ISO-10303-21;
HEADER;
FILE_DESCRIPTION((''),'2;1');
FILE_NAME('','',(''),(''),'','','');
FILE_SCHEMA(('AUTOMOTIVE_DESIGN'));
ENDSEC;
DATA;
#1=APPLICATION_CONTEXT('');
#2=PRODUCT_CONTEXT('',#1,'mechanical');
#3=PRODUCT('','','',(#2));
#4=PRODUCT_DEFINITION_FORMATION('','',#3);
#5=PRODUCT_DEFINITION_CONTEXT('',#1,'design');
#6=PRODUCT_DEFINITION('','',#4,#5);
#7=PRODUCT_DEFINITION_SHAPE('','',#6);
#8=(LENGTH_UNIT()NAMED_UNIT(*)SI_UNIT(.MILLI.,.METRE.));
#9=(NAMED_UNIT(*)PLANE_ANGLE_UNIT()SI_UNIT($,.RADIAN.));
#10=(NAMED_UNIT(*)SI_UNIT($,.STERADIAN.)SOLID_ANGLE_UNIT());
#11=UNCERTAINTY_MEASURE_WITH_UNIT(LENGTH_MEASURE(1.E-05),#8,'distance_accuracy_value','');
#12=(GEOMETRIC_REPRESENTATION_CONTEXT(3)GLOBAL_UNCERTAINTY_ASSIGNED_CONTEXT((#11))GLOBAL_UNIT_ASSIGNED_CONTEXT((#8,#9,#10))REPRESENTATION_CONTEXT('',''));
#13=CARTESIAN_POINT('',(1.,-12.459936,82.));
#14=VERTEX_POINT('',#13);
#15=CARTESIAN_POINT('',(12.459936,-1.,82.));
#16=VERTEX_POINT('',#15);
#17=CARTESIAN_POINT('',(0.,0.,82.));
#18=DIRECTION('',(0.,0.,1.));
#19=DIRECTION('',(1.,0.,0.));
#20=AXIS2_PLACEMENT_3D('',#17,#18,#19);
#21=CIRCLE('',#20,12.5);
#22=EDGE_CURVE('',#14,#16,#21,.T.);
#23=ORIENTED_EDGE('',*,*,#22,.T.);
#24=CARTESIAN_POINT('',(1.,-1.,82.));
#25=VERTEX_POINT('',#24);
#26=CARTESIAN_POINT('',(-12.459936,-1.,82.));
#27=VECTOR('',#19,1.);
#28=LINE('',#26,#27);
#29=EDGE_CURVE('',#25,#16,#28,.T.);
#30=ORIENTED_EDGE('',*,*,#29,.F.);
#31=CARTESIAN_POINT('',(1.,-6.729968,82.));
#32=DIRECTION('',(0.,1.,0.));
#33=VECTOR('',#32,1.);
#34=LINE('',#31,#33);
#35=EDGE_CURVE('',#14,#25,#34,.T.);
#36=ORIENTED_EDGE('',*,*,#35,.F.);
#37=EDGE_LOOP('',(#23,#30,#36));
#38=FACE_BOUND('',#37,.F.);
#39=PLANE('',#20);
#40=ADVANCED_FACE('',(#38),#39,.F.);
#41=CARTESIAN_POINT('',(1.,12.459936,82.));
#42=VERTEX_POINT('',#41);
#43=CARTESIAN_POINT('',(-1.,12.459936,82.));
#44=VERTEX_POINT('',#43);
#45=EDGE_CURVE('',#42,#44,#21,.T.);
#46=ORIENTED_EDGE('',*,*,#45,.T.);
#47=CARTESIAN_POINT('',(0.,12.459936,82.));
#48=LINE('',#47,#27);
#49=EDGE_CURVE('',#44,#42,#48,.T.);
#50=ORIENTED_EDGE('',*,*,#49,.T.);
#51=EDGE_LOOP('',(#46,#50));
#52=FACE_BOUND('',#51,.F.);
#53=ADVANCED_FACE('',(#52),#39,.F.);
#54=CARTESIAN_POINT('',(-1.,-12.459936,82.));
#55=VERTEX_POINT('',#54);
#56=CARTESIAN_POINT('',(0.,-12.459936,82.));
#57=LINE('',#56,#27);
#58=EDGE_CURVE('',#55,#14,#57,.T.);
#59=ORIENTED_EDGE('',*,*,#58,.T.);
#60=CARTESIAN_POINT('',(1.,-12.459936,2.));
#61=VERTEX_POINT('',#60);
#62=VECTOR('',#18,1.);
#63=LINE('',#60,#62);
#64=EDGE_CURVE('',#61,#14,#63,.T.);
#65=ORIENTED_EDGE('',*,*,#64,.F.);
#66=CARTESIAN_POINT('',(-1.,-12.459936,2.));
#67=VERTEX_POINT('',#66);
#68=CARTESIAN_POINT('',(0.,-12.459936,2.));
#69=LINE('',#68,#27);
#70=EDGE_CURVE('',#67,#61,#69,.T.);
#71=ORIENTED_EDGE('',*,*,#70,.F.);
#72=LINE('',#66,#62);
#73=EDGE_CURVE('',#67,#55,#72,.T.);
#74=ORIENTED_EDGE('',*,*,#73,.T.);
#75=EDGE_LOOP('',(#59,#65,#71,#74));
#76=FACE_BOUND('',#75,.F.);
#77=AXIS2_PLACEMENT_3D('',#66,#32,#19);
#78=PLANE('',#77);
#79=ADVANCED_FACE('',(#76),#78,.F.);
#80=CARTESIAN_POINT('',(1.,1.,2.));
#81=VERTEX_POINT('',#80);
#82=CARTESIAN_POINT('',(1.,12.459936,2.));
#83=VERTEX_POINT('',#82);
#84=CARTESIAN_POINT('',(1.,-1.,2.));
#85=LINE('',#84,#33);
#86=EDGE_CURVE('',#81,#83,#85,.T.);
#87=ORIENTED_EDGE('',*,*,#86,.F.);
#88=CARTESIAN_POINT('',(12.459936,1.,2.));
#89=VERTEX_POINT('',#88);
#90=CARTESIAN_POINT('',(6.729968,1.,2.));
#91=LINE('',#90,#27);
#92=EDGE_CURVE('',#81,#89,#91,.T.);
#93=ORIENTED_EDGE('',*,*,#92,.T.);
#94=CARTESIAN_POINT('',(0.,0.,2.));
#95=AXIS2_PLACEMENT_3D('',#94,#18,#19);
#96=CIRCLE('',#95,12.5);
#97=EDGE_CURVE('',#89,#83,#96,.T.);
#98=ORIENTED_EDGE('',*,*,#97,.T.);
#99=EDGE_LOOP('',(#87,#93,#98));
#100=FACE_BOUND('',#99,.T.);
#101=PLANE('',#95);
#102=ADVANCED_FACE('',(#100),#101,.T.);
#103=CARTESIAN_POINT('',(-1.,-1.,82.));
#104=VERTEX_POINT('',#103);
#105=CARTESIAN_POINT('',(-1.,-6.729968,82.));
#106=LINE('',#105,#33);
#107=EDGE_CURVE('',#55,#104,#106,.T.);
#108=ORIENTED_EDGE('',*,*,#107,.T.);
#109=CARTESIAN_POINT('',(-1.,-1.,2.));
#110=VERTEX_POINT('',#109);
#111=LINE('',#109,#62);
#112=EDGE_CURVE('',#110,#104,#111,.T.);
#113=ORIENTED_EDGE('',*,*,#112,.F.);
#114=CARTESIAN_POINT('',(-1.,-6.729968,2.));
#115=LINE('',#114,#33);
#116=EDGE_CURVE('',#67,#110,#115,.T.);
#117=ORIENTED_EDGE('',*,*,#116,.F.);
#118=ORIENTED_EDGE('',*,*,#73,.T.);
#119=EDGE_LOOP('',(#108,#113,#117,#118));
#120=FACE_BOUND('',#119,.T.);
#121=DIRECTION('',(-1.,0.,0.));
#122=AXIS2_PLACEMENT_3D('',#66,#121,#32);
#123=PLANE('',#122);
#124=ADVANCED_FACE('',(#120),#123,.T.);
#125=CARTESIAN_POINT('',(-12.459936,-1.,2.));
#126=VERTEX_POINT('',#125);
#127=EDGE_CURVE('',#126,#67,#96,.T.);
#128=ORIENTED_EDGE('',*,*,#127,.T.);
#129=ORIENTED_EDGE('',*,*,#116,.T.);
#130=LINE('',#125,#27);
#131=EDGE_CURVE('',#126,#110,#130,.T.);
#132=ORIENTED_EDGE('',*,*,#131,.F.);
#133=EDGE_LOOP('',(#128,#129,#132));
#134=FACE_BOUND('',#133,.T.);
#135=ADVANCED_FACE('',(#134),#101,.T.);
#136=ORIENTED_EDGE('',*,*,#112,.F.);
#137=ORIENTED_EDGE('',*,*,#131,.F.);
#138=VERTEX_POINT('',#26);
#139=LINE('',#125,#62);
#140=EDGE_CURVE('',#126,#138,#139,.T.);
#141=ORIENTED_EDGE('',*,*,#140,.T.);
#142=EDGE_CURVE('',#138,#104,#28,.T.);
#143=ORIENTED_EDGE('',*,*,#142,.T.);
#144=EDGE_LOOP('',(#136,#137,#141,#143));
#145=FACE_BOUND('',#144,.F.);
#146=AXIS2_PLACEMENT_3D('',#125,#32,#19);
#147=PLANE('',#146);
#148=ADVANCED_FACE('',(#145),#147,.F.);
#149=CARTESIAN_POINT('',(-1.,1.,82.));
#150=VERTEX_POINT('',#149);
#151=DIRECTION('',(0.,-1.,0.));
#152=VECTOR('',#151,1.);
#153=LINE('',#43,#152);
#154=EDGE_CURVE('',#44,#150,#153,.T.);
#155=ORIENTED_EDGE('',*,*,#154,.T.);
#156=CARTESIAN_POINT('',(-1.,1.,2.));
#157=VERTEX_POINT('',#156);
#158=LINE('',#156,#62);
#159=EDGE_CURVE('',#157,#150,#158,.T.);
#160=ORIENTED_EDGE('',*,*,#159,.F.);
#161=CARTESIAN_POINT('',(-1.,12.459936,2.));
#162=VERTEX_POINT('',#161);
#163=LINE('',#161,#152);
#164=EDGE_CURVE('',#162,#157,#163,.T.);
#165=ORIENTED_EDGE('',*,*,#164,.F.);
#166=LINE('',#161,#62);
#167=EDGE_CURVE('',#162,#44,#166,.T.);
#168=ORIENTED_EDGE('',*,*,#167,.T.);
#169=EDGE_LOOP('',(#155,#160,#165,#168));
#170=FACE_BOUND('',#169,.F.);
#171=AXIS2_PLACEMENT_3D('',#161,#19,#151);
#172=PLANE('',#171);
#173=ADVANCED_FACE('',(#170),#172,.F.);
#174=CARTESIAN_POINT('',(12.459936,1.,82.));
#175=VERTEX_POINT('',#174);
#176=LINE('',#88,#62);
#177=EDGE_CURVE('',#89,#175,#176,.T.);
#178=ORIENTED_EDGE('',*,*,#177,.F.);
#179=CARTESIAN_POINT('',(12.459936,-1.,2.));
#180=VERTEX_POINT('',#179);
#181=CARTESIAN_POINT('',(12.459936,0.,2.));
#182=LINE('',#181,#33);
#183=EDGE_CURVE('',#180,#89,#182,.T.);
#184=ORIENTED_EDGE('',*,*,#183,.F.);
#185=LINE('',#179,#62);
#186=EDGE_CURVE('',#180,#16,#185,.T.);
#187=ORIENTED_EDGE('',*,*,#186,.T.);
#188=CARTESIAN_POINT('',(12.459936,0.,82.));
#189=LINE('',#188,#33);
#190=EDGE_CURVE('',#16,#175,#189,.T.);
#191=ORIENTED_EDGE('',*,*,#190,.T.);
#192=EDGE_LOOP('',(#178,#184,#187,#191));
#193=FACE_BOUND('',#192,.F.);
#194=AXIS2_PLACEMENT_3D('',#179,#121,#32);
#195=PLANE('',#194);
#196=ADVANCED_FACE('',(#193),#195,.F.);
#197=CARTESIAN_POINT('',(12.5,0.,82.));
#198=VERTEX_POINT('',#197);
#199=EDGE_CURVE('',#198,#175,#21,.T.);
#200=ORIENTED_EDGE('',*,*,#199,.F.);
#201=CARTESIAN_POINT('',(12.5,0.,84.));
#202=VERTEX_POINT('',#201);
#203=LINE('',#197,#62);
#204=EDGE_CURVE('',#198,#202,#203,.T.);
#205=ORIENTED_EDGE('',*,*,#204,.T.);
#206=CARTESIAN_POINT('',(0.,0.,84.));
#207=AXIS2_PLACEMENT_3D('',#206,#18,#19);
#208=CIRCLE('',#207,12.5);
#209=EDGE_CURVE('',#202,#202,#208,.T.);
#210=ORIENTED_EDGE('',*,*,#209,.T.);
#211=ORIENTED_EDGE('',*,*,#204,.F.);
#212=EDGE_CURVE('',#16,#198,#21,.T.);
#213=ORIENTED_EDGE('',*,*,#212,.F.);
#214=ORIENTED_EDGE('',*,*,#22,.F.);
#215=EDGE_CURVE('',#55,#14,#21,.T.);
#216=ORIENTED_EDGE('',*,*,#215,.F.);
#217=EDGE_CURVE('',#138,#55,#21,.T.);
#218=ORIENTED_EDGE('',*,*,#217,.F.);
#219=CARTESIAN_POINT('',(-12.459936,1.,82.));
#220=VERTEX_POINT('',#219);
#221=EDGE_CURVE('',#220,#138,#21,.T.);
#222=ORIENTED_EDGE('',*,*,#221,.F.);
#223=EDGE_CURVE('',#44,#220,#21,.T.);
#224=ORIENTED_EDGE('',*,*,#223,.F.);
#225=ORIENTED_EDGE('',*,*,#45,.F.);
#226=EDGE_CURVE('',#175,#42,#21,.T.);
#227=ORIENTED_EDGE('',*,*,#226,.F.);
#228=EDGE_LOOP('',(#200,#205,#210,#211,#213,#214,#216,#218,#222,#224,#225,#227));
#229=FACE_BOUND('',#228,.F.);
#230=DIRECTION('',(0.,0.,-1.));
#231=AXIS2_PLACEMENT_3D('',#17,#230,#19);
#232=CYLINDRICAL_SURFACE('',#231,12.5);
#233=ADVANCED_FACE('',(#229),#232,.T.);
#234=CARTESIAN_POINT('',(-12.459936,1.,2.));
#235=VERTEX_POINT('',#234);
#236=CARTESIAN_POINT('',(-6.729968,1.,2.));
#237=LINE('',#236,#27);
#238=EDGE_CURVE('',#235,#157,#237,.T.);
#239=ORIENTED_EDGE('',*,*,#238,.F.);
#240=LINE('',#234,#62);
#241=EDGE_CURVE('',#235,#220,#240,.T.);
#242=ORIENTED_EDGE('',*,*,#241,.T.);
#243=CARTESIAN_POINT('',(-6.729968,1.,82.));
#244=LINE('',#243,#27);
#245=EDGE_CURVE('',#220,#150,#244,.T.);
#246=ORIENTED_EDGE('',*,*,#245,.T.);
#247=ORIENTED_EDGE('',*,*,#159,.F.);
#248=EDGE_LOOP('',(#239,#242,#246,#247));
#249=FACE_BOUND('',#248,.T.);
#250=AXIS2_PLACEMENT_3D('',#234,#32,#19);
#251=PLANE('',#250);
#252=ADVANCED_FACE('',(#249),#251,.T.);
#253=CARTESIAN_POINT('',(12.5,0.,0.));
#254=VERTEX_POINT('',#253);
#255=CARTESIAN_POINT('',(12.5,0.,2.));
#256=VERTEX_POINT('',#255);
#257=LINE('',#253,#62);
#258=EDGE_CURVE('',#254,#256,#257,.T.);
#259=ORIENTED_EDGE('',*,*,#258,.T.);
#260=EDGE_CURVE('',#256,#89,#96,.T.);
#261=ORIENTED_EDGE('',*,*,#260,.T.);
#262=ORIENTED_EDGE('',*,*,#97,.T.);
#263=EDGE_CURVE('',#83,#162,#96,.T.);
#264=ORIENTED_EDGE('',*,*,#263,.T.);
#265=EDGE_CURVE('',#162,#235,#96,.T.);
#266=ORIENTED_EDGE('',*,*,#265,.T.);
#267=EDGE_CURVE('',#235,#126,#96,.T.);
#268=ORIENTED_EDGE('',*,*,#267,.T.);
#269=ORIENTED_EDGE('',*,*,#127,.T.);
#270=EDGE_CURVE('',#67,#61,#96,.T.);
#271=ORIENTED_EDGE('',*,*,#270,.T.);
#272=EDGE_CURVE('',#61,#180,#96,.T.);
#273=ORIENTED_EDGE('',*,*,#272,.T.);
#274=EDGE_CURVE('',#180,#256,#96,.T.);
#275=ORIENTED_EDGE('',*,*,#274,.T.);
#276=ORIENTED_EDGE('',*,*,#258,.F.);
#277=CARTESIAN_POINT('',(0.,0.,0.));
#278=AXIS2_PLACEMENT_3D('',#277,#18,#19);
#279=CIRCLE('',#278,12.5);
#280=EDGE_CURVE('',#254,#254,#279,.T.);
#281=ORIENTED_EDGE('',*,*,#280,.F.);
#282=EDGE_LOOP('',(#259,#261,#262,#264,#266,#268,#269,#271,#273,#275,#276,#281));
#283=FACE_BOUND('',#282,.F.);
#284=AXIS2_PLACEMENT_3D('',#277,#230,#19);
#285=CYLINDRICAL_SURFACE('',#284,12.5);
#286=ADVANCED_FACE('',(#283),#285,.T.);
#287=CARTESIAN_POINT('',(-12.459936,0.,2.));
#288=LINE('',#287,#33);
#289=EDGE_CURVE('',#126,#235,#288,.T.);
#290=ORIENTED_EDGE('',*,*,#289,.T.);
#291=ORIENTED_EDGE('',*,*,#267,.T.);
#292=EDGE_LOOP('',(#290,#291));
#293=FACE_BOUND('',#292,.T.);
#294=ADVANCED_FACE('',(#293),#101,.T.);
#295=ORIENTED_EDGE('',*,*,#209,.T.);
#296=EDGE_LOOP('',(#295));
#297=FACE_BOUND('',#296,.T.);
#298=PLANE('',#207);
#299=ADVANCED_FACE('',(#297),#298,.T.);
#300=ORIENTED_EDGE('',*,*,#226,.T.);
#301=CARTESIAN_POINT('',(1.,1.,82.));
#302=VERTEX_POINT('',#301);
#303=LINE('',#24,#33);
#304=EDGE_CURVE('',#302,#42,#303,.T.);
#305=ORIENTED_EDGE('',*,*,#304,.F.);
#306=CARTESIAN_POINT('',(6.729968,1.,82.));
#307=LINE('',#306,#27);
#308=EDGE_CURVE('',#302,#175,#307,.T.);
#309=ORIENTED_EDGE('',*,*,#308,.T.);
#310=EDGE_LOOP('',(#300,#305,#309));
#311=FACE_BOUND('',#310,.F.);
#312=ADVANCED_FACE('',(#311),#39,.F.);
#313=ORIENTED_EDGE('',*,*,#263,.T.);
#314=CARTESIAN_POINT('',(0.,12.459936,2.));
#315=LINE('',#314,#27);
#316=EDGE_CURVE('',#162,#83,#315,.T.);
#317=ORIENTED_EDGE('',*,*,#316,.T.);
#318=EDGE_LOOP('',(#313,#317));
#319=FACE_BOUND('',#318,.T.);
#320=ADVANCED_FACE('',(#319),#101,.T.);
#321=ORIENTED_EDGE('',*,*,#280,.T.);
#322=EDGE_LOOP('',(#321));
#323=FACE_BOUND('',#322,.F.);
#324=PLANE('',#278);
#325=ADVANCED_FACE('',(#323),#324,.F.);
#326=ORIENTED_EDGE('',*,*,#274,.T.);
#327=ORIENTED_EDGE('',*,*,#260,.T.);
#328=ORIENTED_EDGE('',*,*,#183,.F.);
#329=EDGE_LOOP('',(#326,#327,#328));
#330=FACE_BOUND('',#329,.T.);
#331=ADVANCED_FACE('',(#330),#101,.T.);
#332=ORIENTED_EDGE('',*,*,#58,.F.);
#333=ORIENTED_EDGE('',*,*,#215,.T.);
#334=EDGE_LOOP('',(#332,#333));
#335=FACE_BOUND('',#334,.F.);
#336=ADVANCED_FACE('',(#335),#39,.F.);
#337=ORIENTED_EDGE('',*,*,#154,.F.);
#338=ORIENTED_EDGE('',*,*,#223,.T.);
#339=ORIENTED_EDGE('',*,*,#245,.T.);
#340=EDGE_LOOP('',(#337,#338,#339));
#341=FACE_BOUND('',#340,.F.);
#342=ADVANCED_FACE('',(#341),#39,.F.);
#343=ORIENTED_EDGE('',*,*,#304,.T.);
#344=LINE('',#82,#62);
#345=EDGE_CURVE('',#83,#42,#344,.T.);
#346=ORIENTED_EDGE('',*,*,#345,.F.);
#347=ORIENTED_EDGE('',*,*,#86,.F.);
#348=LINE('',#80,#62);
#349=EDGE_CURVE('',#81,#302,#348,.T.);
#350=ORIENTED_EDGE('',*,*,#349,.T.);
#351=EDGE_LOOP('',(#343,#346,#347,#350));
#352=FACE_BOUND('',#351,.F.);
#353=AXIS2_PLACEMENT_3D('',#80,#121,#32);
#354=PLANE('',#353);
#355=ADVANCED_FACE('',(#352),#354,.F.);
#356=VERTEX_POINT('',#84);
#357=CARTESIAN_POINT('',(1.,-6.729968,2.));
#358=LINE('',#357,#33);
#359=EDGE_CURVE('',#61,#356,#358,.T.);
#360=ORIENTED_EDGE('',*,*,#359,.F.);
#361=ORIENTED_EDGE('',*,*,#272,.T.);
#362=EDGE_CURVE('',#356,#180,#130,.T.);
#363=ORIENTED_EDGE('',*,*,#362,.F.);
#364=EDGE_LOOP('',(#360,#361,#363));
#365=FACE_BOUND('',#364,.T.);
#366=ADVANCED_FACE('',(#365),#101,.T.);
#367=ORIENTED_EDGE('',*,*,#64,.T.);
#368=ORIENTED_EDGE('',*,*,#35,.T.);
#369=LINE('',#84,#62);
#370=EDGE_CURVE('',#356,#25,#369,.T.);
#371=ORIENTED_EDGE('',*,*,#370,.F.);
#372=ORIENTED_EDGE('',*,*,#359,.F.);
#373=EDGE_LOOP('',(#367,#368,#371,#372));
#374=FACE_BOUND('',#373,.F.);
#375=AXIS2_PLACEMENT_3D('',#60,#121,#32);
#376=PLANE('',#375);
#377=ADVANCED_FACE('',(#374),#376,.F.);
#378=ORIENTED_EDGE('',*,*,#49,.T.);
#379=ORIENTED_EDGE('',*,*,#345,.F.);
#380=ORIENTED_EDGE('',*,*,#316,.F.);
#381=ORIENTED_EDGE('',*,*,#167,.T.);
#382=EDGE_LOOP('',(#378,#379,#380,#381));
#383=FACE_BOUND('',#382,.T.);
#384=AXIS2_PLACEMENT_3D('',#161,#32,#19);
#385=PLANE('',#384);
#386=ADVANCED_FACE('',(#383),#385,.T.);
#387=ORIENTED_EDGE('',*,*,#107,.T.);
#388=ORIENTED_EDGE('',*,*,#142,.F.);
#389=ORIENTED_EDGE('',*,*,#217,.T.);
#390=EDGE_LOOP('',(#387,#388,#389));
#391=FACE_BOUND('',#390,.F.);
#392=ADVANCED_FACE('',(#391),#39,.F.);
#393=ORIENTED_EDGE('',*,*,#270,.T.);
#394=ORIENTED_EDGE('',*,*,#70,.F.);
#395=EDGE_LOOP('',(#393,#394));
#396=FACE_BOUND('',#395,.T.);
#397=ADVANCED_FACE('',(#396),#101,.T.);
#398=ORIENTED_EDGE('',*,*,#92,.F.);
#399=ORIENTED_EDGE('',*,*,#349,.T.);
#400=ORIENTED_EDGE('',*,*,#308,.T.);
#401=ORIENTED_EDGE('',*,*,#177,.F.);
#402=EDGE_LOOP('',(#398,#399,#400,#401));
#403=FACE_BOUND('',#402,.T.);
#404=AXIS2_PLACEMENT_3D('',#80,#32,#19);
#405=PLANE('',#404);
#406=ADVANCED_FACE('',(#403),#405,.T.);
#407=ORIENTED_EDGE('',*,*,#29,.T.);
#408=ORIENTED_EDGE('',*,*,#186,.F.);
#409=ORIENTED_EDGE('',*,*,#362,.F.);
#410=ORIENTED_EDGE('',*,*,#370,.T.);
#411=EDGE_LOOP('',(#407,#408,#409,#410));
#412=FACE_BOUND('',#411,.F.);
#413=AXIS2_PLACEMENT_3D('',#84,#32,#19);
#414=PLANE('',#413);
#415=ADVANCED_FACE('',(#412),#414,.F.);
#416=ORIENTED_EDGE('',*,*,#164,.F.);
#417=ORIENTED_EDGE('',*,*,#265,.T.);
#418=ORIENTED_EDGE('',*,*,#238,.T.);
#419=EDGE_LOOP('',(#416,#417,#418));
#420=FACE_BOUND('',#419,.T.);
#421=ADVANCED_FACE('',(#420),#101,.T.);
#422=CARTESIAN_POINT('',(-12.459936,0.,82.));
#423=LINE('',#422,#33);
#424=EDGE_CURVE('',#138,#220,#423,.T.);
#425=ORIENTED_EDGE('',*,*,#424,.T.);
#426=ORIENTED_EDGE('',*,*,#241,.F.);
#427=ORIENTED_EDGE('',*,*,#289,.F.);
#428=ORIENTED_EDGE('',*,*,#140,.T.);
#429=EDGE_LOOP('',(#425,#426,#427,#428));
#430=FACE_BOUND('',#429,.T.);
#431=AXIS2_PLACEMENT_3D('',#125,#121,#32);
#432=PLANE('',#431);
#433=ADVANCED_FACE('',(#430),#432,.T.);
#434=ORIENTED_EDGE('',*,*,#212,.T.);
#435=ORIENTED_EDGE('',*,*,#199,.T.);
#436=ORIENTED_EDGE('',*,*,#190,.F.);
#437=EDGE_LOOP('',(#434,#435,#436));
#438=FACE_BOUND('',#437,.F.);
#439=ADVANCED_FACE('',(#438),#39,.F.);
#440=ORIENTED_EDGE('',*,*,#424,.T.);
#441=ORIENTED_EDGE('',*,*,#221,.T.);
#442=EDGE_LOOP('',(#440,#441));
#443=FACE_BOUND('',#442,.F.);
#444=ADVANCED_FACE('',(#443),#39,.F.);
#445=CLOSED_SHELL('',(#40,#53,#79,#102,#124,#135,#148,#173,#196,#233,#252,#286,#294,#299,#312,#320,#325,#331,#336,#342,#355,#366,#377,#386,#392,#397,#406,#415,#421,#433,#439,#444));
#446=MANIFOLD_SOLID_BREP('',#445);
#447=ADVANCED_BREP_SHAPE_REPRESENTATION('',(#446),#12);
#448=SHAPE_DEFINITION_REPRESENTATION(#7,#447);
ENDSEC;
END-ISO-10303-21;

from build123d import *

# Parameters (mm, degrees)
F0_R     = 12.5
F1_DEPTH = 2
F2_W     = 2
F2_H     = 11.4599357944
F2_H_2   = 2
F2_W_2   = 11.4599357944
F3_DEPTH = 80
F4_R     = 12.5
F5_DEPTH = 2


with BuildPart() as f1:
    # F0 (on Top) → F1 (new body)
    with BuildSketch(Plane.XY):
        Circle(F0_R)
    extrude(amount=F1_DEPTH)

    # F2 (on face) → F3 (join)
    with BuildSketch(Plane.XY.offset(2)):
        with Locations((0, 6.7299678972)):
            Rectangle(F2_W, F2_H)
        Rectangle(F2_W, F2_H_2)
        with Locations((-6.7299678972, 0)):
            Rectangle(F2_W_2, F2_H_2)
        with Locations((6.7299678972, 0)):
            Rectangle(F2_W_2, F2_H_2)
        with Locations((0, -6.7299678972)):
            Rectangle(F2_W, F2_H)
    extrude(amount=F3_DEPTH)

    # F4 (on face) → F5 (join)
    with BuildSketch(Plane.XY.offset(82)):
        Circle(F4_R)
    extrude(amount=F5_DEPTH)


solid = f1.part
